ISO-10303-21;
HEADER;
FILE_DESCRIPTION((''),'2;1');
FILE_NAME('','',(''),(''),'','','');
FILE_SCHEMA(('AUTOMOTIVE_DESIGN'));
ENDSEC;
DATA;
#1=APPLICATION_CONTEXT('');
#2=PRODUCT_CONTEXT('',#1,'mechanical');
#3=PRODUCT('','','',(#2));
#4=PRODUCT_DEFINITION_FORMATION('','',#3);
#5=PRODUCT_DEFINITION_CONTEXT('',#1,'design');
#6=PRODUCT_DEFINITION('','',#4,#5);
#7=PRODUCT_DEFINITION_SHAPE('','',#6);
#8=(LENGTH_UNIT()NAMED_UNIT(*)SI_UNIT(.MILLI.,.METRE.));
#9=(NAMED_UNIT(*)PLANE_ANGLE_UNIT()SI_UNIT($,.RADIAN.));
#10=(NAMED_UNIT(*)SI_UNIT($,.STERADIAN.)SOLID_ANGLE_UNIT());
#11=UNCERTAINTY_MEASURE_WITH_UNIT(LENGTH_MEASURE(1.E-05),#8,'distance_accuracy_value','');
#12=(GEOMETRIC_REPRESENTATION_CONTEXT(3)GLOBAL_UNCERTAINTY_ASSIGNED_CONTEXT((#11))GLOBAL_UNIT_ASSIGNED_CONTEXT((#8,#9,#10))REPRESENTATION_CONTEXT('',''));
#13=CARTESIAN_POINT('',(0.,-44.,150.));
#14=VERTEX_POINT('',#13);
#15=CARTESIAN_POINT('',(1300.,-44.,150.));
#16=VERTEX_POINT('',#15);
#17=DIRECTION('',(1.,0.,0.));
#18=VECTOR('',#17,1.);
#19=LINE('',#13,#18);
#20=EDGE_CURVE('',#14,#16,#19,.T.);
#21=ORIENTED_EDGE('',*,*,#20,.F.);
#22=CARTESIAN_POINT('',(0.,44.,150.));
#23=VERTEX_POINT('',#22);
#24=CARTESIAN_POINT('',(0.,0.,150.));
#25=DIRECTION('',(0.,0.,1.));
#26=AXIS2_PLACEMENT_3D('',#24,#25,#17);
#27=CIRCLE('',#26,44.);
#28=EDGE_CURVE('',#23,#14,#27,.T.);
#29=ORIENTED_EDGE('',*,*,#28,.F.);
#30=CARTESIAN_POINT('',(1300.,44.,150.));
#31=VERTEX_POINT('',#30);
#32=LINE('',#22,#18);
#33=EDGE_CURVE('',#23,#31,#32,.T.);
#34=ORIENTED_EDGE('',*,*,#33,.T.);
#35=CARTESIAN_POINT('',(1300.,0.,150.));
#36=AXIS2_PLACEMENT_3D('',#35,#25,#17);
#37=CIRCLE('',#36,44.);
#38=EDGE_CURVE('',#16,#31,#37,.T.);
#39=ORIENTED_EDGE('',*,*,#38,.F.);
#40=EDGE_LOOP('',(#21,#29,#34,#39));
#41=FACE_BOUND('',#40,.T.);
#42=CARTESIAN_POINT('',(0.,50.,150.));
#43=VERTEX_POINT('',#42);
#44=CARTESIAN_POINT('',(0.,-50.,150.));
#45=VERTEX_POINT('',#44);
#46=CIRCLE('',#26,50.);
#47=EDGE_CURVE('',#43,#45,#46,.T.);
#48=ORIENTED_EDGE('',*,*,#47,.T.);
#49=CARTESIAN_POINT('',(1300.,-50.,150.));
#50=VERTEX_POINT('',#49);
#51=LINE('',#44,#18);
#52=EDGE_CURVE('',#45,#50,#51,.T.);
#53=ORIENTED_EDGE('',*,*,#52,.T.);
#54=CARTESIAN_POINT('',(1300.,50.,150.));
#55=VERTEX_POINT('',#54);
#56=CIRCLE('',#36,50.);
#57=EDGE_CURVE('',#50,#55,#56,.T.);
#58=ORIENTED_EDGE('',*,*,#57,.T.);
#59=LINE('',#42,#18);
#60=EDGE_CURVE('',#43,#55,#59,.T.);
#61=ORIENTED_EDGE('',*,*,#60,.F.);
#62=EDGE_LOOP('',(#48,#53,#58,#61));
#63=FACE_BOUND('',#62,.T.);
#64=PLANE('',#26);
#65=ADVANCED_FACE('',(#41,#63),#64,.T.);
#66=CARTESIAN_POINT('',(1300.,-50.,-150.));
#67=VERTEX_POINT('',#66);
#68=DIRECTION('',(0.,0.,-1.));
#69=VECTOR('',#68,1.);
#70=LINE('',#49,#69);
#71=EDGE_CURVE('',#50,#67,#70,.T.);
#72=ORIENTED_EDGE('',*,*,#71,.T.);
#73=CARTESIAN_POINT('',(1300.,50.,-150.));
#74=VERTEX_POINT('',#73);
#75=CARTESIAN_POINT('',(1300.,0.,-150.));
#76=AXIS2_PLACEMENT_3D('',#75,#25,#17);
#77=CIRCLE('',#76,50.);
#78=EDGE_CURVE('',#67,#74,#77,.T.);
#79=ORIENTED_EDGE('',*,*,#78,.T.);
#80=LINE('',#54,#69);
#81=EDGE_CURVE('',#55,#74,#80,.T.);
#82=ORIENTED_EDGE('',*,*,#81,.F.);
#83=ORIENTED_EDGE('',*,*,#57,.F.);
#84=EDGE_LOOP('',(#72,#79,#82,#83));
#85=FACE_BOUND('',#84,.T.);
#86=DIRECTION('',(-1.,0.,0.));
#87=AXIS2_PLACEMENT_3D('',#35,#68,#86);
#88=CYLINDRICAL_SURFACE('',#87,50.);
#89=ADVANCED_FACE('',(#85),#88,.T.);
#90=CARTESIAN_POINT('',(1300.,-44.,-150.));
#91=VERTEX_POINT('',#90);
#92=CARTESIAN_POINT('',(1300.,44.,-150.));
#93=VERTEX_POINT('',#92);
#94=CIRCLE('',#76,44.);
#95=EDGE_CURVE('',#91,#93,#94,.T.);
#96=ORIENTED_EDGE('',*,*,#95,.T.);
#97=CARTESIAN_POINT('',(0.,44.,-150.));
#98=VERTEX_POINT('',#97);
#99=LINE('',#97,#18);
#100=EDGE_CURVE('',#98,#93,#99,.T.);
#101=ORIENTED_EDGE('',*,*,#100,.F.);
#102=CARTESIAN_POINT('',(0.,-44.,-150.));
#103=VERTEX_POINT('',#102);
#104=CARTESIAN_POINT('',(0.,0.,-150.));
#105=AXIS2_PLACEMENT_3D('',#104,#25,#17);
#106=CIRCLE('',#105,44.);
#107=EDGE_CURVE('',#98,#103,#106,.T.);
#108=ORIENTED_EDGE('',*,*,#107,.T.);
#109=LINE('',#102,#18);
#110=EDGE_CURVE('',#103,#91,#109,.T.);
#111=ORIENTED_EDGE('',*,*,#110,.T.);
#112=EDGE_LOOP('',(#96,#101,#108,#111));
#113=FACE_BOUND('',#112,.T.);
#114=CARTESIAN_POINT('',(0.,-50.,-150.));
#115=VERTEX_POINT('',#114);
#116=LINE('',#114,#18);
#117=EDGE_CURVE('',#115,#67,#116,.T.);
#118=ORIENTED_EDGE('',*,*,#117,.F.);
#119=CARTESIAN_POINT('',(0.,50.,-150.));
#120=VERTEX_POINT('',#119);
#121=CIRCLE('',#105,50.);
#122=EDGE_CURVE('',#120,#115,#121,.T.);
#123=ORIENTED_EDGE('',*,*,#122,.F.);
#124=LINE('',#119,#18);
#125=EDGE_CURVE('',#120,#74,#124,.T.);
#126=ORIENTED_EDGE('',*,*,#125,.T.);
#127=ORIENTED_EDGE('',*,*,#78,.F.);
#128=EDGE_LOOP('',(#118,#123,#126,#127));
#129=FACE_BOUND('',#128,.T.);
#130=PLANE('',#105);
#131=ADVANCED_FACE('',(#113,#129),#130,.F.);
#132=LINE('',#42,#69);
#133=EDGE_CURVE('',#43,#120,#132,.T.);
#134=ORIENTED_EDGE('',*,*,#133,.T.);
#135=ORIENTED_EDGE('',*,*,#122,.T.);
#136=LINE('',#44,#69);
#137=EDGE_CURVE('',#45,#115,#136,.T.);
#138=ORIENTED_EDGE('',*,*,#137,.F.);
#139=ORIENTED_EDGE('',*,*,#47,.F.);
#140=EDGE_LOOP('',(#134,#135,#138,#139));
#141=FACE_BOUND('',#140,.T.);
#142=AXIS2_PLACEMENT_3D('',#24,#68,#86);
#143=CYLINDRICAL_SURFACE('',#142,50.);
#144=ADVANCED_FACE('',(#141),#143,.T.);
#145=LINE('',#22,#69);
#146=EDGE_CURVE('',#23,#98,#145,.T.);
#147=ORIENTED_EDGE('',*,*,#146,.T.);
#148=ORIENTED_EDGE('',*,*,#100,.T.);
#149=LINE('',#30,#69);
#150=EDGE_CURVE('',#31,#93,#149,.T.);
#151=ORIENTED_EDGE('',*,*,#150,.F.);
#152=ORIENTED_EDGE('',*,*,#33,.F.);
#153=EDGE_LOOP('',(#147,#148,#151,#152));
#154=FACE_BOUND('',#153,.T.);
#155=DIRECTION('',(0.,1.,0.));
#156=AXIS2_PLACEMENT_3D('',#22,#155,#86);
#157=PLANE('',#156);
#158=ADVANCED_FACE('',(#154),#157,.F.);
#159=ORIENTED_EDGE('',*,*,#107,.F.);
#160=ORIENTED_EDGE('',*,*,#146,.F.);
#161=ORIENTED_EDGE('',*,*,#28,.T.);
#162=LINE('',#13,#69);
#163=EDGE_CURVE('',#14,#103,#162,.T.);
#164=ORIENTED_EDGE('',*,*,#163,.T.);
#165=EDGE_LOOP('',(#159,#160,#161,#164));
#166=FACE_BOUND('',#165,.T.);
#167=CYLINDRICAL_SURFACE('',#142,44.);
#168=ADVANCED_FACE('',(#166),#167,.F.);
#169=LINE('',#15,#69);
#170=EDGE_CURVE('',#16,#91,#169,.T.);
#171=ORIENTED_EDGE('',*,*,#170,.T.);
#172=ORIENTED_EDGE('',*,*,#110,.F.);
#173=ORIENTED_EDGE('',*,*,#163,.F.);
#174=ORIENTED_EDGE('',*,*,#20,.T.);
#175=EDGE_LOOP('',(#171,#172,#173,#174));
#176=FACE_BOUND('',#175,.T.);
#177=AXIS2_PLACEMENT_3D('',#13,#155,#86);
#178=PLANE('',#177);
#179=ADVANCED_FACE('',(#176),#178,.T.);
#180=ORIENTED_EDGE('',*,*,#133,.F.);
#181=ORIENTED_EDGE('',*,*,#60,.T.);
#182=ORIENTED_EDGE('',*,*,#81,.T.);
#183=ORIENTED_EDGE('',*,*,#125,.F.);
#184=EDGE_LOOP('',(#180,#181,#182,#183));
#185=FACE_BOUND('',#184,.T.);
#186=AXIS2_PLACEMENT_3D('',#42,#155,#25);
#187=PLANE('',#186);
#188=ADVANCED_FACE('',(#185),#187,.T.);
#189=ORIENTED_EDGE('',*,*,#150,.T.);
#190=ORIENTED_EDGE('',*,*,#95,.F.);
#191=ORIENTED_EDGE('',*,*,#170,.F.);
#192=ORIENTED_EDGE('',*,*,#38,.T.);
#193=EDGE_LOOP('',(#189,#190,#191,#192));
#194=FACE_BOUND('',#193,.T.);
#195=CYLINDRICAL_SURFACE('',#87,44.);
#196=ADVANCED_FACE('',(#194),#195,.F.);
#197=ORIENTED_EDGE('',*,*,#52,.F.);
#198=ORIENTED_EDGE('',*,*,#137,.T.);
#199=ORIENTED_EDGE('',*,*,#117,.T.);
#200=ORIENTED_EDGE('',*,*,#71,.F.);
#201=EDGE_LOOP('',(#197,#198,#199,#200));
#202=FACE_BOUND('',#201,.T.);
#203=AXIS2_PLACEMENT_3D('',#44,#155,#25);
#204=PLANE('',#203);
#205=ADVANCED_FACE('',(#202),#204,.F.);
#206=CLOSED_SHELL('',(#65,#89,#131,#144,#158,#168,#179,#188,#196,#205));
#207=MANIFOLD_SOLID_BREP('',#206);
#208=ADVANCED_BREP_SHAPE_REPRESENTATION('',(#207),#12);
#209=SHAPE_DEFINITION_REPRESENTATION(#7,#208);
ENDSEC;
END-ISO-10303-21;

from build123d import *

# Parameters (mm, degrees)
BOSS_EXTRUDE1_DEPTH = 150


with BuildPart() as part:
    # Sketch1 → Boss-Extrude1 (new, symmetric)
    with BuildSketch(Plane.XY):
        with BuildLine():
            Line((0, -50), (1300, -50))
            ThreePointArc((1300, -50), (1350, 0), (1300, 50))
            Line((1300, 50), (0, 50))
            ThreePointArc((0, 50), (-50, 0), (0, -50))
        make_face()
        with BuildLine():
            ThreePointArc((0, 44), (-44, 0), (0, -44))
            Line((0, -44), (1300, -44))
            ThreePointArc((1300, -44), (1344, 0), (1300, 44))
            Line((1300, 44), (0, 44))
        make_face(mode=Mode.SUBTRACT)
    extrude(amount=BOSS_EXTRUDE1_DEPTH, both=True)


solid = part.part
